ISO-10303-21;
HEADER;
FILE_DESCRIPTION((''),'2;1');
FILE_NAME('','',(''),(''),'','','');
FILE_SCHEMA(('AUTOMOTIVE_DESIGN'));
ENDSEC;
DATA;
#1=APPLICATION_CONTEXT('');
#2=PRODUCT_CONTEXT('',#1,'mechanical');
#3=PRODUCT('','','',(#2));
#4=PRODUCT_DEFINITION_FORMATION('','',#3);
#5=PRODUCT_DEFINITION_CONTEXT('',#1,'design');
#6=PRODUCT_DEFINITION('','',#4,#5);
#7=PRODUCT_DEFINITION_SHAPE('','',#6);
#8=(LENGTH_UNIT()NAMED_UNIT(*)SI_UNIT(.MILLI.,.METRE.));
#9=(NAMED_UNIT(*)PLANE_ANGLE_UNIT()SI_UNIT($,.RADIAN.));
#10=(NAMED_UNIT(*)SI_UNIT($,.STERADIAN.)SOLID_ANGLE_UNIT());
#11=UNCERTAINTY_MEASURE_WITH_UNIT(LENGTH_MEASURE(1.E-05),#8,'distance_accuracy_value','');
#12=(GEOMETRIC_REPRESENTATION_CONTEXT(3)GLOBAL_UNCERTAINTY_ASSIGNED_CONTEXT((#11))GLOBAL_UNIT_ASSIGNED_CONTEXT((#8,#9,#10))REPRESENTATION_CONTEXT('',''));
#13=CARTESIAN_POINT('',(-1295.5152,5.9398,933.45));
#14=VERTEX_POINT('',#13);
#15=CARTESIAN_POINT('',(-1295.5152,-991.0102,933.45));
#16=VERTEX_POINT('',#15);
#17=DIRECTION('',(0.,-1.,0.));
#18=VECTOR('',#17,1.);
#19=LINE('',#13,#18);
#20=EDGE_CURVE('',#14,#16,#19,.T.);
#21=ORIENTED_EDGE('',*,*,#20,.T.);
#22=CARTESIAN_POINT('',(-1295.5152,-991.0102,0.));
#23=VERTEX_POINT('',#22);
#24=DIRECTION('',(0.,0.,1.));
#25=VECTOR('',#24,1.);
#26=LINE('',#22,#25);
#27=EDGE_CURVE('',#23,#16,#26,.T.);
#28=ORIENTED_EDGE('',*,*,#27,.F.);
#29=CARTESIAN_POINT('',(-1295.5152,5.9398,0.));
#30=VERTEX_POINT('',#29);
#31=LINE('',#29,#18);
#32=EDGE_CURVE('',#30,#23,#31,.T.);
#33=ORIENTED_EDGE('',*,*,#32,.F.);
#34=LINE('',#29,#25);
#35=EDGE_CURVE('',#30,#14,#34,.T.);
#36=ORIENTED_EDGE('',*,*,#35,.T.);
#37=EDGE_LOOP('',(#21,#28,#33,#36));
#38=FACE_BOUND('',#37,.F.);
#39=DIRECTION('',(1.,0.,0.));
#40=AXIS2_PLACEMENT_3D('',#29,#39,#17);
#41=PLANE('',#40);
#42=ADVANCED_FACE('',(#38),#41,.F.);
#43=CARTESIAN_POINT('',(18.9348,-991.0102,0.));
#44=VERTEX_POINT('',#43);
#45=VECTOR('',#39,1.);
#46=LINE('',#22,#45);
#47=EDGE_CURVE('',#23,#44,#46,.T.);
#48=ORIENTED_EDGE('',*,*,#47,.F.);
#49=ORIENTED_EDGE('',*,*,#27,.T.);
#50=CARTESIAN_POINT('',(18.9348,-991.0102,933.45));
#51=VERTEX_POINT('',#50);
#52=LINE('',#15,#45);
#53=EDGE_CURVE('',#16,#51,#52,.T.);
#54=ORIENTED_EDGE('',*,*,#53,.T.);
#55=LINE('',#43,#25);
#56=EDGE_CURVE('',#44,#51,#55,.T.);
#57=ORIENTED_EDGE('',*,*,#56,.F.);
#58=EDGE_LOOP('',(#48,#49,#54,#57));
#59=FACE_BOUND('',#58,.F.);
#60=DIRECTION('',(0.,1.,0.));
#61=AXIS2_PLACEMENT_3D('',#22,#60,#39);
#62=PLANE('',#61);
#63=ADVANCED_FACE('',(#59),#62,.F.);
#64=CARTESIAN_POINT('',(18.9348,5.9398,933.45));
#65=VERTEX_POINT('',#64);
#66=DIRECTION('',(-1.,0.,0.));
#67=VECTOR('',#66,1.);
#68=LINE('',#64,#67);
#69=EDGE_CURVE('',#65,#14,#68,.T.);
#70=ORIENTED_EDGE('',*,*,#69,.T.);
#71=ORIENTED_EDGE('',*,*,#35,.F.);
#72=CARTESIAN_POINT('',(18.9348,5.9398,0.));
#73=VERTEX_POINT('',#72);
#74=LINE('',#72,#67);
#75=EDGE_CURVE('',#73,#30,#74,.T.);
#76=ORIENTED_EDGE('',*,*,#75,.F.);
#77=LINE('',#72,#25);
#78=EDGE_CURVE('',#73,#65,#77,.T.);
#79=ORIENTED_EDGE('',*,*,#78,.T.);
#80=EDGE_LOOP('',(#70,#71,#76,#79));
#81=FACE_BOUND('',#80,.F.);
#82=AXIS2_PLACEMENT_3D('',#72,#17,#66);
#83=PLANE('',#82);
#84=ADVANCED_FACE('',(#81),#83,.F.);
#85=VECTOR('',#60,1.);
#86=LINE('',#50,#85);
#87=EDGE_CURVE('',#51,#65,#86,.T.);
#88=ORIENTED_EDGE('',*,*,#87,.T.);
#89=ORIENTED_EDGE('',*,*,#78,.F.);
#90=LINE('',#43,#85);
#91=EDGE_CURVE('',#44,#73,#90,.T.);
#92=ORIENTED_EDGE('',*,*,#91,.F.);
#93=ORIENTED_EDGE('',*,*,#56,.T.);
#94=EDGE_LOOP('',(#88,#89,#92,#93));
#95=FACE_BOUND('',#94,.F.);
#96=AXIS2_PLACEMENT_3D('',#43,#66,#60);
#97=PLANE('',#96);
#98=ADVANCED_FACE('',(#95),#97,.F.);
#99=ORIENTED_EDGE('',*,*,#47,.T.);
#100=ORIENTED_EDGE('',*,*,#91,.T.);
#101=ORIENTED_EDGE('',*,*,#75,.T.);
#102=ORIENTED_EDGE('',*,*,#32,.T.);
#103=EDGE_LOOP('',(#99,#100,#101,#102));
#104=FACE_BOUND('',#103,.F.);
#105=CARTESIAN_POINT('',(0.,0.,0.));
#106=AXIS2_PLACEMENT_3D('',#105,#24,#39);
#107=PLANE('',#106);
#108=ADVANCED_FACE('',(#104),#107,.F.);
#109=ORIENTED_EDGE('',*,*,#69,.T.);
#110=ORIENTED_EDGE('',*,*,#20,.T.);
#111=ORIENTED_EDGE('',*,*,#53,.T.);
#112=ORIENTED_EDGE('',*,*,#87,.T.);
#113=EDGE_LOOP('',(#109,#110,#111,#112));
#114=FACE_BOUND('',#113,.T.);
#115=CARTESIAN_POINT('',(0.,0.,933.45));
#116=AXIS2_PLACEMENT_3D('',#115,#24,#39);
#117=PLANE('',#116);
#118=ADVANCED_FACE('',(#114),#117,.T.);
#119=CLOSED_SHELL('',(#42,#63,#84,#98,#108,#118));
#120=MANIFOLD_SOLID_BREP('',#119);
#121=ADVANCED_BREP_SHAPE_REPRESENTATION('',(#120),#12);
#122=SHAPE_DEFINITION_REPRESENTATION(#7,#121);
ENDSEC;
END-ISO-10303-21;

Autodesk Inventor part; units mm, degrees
ref_plane "YZ Plane" through (0, 0, 0) normal (1, 0, 0) x (0, 1, 0)
ref_plane "XZ Plane" through (0, 0, 0) normal (0, 1, 0) x (-1, 0, 0)
ref_plane "XY Plane" through (0, 0, 0) normal (0, 0, 1) x (1, 0, 0)
sketch "Sketch1" plane through (0, 0, 0) normal (0, 0, 1) x (1, 0, 0)
  line L0 (-1295.5152, -991.0102) -> (18.9348, -991.0102)
  line L1 (18.9348, -991.0102) -> (18.9348, 5.9398)
  line L2 (18.9348, 5.9398) -> (-1295.5152, 5.9398)
  line L3 (-1295.5152, 5.9398) -> (-1295.5152, -991.0102)
  line L4 (-1295.5152, -991.0102) -> (18.9348, 5.9398) construction
  line L5 (18.9348, -991.0102) -> (-1295.5152, 5.9398) construction
  point P0 (0, 0)
  point P1 (-638.2902, -492.5352)
  dimension "Largo" = 1314.45
  dimension "Alto" = 996.95
extrude "Extrusion1" add sketch "Sketch1" along normal blind 933.45
equation "\"Largo\" = UC_L"
equation "\"Alto\" = UC_A"
equation "\"Ancho\" = UC_AN"
equation "\"UC_L\" = 1314.45"
equation "\"UC_A\" = 996.95"
equation "\"UC_AN\" = 933.45"
equation "\"PE_N\" = 50.8"
equation "\"PE_S\" = 50.8"
equation "\"PE_EO\" = 50.8"
equation "\"T_E\" = 50.8"
equation "\"lon_ve\" = 512.5"
equation "\"n_a\" = 3"
equation "\"t_a\" = 19.05"
equation "\"d_a\" = 128.125"
equation "\"lon_ho\" = 749"
equation "\"d_bor\" = 59.92"
equation "\"lon_gui\" = 187.25"
equation "\"esp_gui\" = 461.25"
equation "\"lon_ve2\" = 498.475"
equation "\"n_a2\" = 3"
equation "\"t_a2\" = 124.61875"
equation "\"d_a2\" = 124.61875"
equation "\"lon_ho2\" = 933.45"
equation "\"d_bor2\" = 74.676"
equation "\"lon_gui2\" = 233.3625"
equation "\"esp_gui2\" = 448.6275"
equation "\"UE_L\" = 2111"
equation "\"UE_A\" = 1025"
equation "\"UE_AN\" = 749"
equation "\"A_ET\" = 35"
equation "\"SEP_NS\" = 0"
equation "\"DSEG\" = 0"
equation "\"AEGEP_NS\" = 0"
equation "\"DNS\" = 749"
properties part number "Condensadora"
